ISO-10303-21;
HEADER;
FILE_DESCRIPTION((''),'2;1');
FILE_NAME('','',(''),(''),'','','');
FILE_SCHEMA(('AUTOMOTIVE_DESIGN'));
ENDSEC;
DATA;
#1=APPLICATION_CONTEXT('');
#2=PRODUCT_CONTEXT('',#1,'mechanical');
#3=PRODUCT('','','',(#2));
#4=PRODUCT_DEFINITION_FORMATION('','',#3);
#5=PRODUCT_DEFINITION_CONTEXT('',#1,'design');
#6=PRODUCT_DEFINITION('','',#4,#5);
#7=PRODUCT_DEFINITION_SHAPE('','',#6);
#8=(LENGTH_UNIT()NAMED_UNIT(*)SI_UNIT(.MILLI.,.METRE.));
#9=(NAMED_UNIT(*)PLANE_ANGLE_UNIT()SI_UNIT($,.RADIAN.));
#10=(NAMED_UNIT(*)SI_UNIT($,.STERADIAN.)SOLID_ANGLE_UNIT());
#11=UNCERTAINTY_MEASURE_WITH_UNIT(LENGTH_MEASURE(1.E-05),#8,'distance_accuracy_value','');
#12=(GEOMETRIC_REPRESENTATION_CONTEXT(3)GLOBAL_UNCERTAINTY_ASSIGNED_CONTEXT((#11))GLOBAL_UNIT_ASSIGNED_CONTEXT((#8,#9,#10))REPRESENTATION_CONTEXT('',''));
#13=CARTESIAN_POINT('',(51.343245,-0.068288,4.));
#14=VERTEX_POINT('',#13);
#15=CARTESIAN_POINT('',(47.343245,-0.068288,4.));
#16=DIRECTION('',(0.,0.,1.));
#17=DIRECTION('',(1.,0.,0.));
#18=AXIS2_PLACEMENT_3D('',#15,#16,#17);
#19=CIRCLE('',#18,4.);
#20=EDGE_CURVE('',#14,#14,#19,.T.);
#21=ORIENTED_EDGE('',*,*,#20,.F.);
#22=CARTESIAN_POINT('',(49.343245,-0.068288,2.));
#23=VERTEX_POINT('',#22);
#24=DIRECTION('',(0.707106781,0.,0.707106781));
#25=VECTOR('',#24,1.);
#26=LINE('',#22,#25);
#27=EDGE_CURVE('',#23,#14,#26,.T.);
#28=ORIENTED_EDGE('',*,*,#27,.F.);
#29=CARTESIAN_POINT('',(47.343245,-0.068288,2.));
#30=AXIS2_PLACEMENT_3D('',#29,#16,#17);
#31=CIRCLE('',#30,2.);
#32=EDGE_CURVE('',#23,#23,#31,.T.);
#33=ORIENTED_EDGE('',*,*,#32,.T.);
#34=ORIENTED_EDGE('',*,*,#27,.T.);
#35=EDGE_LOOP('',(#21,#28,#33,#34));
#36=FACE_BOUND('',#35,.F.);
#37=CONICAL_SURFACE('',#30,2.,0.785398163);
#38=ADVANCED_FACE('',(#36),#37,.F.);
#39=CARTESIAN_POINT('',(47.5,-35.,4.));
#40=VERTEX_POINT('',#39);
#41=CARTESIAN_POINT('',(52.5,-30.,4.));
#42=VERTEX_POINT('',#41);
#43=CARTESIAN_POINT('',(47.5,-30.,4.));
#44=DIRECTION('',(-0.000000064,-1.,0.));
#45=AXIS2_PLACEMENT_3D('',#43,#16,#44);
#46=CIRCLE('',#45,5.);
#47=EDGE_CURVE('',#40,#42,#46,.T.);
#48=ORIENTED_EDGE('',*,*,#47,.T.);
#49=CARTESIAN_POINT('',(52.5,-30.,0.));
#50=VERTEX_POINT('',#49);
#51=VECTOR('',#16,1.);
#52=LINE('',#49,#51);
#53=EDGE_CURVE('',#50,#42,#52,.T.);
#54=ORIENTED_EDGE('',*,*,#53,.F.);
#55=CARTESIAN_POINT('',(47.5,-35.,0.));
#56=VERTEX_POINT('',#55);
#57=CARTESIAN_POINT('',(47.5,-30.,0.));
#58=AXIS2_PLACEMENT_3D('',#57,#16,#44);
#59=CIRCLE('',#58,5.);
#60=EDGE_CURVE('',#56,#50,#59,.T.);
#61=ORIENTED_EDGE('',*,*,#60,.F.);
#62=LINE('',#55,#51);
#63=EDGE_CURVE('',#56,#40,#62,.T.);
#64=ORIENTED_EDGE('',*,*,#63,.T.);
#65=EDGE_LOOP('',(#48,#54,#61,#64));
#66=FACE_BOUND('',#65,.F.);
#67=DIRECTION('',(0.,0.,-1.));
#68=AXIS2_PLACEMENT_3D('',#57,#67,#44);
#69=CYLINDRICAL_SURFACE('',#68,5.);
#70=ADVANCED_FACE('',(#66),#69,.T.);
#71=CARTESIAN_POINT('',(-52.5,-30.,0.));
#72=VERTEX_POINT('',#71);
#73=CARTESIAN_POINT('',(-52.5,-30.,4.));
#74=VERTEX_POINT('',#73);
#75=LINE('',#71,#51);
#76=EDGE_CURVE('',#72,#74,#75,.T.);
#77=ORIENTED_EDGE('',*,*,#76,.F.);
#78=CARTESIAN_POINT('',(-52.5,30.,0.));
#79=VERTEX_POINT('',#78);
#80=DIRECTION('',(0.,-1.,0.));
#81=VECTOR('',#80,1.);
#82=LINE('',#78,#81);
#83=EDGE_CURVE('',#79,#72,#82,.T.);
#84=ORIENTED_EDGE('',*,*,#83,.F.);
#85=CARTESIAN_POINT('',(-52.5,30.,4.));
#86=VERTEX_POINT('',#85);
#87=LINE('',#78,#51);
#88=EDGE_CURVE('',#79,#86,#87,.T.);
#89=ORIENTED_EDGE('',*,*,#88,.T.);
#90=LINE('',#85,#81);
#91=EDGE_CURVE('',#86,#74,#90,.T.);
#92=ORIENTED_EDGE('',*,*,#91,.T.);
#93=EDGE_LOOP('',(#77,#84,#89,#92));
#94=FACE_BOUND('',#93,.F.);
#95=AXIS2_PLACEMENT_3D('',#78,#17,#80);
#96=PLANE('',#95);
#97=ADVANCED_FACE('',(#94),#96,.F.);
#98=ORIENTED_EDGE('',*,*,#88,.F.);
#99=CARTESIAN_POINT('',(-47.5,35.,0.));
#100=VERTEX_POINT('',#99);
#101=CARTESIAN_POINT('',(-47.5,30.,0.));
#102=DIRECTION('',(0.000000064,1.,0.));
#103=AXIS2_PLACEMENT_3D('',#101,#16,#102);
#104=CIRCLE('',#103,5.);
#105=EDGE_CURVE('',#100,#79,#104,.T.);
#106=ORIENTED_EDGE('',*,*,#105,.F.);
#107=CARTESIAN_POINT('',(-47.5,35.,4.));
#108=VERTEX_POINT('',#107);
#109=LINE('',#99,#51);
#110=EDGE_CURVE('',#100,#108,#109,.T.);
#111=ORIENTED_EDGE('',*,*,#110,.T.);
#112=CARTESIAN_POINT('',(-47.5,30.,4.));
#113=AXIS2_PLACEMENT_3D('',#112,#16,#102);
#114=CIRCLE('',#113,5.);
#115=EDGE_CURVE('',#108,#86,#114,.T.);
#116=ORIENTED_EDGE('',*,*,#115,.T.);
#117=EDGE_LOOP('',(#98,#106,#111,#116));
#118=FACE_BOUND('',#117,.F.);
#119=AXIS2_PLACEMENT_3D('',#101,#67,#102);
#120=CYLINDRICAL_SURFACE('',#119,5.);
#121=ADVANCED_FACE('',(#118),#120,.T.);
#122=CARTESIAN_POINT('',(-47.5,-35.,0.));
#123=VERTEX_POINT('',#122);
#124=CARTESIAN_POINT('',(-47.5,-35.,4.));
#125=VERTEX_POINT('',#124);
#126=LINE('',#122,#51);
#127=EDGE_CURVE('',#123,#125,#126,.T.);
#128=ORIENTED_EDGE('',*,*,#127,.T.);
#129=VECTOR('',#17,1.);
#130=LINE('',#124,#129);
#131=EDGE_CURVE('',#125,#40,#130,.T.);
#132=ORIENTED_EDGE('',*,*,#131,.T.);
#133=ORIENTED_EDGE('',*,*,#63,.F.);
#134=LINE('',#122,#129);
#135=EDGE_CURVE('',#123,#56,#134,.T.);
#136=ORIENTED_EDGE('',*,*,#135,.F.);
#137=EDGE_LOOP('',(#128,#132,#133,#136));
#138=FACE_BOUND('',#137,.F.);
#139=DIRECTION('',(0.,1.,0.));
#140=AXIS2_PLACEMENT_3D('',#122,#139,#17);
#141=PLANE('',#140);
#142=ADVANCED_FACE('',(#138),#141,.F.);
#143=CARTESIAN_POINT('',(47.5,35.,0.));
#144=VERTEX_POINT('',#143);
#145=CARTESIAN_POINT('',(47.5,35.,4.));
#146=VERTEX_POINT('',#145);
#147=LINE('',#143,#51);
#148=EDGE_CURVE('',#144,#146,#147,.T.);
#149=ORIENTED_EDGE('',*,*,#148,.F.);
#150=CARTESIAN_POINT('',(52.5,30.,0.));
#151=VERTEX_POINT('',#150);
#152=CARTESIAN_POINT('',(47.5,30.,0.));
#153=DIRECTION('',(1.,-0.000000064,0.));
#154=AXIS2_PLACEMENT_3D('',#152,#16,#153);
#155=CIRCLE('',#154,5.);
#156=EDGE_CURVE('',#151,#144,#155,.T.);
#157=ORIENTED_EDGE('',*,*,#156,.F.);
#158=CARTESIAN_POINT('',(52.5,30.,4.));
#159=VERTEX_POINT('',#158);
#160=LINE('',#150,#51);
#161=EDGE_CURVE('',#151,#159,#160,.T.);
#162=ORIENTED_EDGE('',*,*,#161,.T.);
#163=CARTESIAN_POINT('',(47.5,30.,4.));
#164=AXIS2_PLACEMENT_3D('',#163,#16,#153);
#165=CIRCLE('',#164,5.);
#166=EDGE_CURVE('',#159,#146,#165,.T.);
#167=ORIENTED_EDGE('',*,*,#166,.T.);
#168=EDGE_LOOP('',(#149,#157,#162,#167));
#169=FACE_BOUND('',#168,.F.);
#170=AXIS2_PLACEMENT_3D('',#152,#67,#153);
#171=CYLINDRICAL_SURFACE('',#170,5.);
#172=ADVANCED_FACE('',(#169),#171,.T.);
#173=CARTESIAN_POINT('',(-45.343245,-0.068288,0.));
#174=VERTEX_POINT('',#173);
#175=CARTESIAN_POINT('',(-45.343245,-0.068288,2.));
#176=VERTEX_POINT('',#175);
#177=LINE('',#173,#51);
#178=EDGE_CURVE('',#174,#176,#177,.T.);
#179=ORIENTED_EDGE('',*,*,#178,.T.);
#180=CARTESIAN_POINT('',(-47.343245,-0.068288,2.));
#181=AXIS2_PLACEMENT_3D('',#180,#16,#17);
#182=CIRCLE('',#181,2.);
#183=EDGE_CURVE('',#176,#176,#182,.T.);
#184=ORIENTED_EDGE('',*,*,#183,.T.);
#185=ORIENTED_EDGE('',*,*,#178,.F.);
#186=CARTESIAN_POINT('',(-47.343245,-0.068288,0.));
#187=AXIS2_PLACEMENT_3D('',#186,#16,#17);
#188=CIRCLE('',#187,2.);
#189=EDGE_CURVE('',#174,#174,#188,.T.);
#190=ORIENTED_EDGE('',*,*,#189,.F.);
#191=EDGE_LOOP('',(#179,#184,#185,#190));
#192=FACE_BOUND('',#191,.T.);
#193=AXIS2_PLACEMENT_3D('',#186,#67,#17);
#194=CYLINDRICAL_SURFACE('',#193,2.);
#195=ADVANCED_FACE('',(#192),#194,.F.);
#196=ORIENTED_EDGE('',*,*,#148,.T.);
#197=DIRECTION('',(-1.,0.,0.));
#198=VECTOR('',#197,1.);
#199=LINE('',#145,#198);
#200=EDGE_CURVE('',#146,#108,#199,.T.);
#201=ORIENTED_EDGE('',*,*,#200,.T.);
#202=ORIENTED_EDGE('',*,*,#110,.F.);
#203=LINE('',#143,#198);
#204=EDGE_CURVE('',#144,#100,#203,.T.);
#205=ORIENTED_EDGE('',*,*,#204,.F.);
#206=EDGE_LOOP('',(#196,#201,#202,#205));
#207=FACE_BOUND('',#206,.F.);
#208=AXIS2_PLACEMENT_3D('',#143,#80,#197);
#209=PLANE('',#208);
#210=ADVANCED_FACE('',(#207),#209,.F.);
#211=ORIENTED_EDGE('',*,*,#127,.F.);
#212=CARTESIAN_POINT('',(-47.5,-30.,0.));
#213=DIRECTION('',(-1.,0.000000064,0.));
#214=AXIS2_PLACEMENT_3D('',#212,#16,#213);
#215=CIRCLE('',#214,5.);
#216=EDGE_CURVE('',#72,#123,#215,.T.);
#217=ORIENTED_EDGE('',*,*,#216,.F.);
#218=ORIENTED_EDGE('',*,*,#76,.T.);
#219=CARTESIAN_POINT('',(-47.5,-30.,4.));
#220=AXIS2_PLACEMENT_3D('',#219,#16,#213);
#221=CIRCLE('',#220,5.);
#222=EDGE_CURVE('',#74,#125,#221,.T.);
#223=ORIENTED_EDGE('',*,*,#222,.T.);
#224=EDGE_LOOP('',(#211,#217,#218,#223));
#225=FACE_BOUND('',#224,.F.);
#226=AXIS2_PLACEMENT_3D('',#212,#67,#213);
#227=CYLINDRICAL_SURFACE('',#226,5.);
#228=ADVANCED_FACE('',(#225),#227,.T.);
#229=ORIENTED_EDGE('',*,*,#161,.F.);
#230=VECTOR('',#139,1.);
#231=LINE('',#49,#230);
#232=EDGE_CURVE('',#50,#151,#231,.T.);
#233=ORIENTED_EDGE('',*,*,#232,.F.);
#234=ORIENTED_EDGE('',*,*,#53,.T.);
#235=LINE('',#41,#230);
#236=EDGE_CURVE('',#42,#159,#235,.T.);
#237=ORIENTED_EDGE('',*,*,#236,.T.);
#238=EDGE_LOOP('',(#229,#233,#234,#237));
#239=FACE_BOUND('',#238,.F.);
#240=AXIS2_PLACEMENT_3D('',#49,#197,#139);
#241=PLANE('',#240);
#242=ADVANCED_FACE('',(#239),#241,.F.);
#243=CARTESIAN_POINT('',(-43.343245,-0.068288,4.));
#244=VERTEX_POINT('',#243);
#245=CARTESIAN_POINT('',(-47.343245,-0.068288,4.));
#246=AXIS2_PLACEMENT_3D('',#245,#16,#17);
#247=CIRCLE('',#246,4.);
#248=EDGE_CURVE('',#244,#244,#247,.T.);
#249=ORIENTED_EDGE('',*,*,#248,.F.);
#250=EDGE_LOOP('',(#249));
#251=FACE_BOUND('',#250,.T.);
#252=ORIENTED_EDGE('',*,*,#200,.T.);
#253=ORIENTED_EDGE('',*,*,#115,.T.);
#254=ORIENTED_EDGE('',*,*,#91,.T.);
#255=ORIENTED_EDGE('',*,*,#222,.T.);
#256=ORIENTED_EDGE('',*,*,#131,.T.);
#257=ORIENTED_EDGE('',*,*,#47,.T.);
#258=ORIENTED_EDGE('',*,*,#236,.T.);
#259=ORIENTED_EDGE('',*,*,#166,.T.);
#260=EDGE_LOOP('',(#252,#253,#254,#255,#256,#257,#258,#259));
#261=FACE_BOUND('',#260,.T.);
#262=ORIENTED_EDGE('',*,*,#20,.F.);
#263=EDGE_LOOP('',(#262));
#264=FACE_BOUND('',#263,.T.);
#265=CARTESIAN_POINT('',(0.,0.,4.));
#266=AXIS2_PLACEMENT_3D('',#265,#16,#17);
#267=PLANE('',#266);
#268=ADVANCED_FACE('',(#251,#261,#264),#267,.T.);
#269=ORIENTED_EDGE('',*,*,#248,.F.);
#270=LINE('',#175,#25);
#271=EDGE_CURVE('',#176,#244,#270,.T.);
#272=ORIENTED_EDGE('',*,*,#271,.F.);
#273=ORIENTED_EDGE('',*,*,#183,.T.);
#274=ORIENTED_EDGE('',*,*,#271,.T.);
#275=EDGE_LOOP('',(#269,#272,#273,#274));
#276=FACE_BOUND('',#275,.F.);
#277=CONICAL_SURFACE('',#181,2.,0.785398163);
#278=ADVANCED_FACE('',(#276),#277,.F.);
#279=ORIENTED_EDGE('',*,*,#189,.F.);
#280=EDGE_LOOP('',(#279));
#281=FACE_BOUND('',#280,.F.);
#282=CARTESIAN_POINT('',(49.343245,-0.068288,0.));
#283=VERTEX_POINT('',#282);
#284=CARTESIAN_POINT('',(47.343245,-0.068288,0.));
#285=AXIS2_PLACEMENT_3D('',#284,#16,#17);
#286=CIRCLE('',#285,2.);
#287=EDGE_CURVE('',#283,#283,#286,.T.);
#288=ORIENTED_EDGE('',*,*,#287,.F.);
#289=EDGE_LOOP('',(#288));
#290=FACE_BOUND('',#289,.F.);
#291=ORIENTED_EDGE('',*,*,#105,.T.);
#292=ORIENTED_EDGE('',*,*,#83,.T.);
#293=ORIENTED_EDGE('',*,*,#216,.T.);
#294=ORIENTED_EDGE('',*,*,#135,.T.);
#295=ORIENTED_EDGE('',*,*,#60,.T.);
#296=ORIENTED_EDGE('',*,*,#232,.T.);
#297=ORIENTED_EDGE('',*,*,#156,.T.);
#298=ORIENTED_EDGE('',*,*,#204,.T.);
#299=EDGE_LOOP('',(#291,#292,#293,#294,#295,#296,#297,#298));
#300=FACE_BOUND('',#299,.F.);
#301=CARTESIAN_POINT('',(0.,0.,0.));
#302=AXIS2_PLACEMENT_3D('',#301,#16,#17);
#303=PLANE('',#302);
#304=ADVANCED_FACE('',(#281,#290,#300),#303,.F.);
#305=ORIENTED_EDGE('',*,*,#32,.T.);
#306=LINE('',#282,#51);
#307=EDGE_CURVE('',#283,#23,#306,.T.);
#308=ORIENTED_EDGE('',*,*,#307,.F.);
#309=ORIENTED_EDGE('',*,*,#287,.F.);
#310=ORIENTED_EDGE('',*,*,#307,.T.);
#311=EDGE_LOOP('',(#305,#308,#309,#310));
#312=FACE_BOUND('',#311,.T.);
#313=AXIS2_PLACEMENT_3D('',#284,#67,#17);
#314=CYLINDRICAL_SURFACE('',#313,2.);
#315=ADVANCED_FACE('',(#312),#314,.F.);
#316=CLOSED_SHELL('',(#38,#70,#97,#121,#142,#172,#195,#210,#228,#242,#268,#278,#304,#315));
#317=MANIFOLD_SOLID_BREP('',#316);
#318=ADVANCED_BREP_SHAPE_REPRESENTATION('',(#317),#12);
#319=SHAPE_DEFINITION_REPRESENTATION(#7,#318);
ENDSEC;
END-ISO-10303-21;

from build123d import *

# Parameters (mm, degrees)
F0_R     = 2
F1_DEPTH = 4
F2_SIZE  = 2


with BuildPart() as f1:
    # F0 (on Top) → F1 (new body)
    with BuildSketch(Plane.XY):
        with BuildLine():
            Line((-47.5, -35), (47.5, -35))
            ThreePointArc((47.5, -35), (51.035534, -33.535534), (52.5, -30))
            Line((52.5, -30), (52.5, 30))
            ThreePointArc((52.5, 30), (51.035534, 33.535534), (47.5, 35))
            Line((47.5, 35), (-47.5, 35))
            ThreePointArc((-47.5, 35), (-51.035534, 33.535534), (-52.5, 30))
            Line((-52.5, 30), (-52.5, -30))
            ThreePointArc((-52.5, -30), (-51.035534, -33.535534), (-47.5, -35))
        make_face()
        with Locations((-47.343245, -0.068288)):
            Circle(F0_R, mode=Mode.SUBTRACT)
        with Locations((47.343245, -0.068288)):
            Circle(F0_R, mode=Mode.SUBTRACT)
    extrude(amount=F1_DEPTH)

    # F2
    f2_edges = [f1.edges().sort_by_distance(p)[0] for p in [
        (-49.343245, -0.068288, 4),
        (45.343245, -0.068288, 4),
    ]]
    chamfer(f2_edges, length=F2_SIZE)


solid = f1.part
